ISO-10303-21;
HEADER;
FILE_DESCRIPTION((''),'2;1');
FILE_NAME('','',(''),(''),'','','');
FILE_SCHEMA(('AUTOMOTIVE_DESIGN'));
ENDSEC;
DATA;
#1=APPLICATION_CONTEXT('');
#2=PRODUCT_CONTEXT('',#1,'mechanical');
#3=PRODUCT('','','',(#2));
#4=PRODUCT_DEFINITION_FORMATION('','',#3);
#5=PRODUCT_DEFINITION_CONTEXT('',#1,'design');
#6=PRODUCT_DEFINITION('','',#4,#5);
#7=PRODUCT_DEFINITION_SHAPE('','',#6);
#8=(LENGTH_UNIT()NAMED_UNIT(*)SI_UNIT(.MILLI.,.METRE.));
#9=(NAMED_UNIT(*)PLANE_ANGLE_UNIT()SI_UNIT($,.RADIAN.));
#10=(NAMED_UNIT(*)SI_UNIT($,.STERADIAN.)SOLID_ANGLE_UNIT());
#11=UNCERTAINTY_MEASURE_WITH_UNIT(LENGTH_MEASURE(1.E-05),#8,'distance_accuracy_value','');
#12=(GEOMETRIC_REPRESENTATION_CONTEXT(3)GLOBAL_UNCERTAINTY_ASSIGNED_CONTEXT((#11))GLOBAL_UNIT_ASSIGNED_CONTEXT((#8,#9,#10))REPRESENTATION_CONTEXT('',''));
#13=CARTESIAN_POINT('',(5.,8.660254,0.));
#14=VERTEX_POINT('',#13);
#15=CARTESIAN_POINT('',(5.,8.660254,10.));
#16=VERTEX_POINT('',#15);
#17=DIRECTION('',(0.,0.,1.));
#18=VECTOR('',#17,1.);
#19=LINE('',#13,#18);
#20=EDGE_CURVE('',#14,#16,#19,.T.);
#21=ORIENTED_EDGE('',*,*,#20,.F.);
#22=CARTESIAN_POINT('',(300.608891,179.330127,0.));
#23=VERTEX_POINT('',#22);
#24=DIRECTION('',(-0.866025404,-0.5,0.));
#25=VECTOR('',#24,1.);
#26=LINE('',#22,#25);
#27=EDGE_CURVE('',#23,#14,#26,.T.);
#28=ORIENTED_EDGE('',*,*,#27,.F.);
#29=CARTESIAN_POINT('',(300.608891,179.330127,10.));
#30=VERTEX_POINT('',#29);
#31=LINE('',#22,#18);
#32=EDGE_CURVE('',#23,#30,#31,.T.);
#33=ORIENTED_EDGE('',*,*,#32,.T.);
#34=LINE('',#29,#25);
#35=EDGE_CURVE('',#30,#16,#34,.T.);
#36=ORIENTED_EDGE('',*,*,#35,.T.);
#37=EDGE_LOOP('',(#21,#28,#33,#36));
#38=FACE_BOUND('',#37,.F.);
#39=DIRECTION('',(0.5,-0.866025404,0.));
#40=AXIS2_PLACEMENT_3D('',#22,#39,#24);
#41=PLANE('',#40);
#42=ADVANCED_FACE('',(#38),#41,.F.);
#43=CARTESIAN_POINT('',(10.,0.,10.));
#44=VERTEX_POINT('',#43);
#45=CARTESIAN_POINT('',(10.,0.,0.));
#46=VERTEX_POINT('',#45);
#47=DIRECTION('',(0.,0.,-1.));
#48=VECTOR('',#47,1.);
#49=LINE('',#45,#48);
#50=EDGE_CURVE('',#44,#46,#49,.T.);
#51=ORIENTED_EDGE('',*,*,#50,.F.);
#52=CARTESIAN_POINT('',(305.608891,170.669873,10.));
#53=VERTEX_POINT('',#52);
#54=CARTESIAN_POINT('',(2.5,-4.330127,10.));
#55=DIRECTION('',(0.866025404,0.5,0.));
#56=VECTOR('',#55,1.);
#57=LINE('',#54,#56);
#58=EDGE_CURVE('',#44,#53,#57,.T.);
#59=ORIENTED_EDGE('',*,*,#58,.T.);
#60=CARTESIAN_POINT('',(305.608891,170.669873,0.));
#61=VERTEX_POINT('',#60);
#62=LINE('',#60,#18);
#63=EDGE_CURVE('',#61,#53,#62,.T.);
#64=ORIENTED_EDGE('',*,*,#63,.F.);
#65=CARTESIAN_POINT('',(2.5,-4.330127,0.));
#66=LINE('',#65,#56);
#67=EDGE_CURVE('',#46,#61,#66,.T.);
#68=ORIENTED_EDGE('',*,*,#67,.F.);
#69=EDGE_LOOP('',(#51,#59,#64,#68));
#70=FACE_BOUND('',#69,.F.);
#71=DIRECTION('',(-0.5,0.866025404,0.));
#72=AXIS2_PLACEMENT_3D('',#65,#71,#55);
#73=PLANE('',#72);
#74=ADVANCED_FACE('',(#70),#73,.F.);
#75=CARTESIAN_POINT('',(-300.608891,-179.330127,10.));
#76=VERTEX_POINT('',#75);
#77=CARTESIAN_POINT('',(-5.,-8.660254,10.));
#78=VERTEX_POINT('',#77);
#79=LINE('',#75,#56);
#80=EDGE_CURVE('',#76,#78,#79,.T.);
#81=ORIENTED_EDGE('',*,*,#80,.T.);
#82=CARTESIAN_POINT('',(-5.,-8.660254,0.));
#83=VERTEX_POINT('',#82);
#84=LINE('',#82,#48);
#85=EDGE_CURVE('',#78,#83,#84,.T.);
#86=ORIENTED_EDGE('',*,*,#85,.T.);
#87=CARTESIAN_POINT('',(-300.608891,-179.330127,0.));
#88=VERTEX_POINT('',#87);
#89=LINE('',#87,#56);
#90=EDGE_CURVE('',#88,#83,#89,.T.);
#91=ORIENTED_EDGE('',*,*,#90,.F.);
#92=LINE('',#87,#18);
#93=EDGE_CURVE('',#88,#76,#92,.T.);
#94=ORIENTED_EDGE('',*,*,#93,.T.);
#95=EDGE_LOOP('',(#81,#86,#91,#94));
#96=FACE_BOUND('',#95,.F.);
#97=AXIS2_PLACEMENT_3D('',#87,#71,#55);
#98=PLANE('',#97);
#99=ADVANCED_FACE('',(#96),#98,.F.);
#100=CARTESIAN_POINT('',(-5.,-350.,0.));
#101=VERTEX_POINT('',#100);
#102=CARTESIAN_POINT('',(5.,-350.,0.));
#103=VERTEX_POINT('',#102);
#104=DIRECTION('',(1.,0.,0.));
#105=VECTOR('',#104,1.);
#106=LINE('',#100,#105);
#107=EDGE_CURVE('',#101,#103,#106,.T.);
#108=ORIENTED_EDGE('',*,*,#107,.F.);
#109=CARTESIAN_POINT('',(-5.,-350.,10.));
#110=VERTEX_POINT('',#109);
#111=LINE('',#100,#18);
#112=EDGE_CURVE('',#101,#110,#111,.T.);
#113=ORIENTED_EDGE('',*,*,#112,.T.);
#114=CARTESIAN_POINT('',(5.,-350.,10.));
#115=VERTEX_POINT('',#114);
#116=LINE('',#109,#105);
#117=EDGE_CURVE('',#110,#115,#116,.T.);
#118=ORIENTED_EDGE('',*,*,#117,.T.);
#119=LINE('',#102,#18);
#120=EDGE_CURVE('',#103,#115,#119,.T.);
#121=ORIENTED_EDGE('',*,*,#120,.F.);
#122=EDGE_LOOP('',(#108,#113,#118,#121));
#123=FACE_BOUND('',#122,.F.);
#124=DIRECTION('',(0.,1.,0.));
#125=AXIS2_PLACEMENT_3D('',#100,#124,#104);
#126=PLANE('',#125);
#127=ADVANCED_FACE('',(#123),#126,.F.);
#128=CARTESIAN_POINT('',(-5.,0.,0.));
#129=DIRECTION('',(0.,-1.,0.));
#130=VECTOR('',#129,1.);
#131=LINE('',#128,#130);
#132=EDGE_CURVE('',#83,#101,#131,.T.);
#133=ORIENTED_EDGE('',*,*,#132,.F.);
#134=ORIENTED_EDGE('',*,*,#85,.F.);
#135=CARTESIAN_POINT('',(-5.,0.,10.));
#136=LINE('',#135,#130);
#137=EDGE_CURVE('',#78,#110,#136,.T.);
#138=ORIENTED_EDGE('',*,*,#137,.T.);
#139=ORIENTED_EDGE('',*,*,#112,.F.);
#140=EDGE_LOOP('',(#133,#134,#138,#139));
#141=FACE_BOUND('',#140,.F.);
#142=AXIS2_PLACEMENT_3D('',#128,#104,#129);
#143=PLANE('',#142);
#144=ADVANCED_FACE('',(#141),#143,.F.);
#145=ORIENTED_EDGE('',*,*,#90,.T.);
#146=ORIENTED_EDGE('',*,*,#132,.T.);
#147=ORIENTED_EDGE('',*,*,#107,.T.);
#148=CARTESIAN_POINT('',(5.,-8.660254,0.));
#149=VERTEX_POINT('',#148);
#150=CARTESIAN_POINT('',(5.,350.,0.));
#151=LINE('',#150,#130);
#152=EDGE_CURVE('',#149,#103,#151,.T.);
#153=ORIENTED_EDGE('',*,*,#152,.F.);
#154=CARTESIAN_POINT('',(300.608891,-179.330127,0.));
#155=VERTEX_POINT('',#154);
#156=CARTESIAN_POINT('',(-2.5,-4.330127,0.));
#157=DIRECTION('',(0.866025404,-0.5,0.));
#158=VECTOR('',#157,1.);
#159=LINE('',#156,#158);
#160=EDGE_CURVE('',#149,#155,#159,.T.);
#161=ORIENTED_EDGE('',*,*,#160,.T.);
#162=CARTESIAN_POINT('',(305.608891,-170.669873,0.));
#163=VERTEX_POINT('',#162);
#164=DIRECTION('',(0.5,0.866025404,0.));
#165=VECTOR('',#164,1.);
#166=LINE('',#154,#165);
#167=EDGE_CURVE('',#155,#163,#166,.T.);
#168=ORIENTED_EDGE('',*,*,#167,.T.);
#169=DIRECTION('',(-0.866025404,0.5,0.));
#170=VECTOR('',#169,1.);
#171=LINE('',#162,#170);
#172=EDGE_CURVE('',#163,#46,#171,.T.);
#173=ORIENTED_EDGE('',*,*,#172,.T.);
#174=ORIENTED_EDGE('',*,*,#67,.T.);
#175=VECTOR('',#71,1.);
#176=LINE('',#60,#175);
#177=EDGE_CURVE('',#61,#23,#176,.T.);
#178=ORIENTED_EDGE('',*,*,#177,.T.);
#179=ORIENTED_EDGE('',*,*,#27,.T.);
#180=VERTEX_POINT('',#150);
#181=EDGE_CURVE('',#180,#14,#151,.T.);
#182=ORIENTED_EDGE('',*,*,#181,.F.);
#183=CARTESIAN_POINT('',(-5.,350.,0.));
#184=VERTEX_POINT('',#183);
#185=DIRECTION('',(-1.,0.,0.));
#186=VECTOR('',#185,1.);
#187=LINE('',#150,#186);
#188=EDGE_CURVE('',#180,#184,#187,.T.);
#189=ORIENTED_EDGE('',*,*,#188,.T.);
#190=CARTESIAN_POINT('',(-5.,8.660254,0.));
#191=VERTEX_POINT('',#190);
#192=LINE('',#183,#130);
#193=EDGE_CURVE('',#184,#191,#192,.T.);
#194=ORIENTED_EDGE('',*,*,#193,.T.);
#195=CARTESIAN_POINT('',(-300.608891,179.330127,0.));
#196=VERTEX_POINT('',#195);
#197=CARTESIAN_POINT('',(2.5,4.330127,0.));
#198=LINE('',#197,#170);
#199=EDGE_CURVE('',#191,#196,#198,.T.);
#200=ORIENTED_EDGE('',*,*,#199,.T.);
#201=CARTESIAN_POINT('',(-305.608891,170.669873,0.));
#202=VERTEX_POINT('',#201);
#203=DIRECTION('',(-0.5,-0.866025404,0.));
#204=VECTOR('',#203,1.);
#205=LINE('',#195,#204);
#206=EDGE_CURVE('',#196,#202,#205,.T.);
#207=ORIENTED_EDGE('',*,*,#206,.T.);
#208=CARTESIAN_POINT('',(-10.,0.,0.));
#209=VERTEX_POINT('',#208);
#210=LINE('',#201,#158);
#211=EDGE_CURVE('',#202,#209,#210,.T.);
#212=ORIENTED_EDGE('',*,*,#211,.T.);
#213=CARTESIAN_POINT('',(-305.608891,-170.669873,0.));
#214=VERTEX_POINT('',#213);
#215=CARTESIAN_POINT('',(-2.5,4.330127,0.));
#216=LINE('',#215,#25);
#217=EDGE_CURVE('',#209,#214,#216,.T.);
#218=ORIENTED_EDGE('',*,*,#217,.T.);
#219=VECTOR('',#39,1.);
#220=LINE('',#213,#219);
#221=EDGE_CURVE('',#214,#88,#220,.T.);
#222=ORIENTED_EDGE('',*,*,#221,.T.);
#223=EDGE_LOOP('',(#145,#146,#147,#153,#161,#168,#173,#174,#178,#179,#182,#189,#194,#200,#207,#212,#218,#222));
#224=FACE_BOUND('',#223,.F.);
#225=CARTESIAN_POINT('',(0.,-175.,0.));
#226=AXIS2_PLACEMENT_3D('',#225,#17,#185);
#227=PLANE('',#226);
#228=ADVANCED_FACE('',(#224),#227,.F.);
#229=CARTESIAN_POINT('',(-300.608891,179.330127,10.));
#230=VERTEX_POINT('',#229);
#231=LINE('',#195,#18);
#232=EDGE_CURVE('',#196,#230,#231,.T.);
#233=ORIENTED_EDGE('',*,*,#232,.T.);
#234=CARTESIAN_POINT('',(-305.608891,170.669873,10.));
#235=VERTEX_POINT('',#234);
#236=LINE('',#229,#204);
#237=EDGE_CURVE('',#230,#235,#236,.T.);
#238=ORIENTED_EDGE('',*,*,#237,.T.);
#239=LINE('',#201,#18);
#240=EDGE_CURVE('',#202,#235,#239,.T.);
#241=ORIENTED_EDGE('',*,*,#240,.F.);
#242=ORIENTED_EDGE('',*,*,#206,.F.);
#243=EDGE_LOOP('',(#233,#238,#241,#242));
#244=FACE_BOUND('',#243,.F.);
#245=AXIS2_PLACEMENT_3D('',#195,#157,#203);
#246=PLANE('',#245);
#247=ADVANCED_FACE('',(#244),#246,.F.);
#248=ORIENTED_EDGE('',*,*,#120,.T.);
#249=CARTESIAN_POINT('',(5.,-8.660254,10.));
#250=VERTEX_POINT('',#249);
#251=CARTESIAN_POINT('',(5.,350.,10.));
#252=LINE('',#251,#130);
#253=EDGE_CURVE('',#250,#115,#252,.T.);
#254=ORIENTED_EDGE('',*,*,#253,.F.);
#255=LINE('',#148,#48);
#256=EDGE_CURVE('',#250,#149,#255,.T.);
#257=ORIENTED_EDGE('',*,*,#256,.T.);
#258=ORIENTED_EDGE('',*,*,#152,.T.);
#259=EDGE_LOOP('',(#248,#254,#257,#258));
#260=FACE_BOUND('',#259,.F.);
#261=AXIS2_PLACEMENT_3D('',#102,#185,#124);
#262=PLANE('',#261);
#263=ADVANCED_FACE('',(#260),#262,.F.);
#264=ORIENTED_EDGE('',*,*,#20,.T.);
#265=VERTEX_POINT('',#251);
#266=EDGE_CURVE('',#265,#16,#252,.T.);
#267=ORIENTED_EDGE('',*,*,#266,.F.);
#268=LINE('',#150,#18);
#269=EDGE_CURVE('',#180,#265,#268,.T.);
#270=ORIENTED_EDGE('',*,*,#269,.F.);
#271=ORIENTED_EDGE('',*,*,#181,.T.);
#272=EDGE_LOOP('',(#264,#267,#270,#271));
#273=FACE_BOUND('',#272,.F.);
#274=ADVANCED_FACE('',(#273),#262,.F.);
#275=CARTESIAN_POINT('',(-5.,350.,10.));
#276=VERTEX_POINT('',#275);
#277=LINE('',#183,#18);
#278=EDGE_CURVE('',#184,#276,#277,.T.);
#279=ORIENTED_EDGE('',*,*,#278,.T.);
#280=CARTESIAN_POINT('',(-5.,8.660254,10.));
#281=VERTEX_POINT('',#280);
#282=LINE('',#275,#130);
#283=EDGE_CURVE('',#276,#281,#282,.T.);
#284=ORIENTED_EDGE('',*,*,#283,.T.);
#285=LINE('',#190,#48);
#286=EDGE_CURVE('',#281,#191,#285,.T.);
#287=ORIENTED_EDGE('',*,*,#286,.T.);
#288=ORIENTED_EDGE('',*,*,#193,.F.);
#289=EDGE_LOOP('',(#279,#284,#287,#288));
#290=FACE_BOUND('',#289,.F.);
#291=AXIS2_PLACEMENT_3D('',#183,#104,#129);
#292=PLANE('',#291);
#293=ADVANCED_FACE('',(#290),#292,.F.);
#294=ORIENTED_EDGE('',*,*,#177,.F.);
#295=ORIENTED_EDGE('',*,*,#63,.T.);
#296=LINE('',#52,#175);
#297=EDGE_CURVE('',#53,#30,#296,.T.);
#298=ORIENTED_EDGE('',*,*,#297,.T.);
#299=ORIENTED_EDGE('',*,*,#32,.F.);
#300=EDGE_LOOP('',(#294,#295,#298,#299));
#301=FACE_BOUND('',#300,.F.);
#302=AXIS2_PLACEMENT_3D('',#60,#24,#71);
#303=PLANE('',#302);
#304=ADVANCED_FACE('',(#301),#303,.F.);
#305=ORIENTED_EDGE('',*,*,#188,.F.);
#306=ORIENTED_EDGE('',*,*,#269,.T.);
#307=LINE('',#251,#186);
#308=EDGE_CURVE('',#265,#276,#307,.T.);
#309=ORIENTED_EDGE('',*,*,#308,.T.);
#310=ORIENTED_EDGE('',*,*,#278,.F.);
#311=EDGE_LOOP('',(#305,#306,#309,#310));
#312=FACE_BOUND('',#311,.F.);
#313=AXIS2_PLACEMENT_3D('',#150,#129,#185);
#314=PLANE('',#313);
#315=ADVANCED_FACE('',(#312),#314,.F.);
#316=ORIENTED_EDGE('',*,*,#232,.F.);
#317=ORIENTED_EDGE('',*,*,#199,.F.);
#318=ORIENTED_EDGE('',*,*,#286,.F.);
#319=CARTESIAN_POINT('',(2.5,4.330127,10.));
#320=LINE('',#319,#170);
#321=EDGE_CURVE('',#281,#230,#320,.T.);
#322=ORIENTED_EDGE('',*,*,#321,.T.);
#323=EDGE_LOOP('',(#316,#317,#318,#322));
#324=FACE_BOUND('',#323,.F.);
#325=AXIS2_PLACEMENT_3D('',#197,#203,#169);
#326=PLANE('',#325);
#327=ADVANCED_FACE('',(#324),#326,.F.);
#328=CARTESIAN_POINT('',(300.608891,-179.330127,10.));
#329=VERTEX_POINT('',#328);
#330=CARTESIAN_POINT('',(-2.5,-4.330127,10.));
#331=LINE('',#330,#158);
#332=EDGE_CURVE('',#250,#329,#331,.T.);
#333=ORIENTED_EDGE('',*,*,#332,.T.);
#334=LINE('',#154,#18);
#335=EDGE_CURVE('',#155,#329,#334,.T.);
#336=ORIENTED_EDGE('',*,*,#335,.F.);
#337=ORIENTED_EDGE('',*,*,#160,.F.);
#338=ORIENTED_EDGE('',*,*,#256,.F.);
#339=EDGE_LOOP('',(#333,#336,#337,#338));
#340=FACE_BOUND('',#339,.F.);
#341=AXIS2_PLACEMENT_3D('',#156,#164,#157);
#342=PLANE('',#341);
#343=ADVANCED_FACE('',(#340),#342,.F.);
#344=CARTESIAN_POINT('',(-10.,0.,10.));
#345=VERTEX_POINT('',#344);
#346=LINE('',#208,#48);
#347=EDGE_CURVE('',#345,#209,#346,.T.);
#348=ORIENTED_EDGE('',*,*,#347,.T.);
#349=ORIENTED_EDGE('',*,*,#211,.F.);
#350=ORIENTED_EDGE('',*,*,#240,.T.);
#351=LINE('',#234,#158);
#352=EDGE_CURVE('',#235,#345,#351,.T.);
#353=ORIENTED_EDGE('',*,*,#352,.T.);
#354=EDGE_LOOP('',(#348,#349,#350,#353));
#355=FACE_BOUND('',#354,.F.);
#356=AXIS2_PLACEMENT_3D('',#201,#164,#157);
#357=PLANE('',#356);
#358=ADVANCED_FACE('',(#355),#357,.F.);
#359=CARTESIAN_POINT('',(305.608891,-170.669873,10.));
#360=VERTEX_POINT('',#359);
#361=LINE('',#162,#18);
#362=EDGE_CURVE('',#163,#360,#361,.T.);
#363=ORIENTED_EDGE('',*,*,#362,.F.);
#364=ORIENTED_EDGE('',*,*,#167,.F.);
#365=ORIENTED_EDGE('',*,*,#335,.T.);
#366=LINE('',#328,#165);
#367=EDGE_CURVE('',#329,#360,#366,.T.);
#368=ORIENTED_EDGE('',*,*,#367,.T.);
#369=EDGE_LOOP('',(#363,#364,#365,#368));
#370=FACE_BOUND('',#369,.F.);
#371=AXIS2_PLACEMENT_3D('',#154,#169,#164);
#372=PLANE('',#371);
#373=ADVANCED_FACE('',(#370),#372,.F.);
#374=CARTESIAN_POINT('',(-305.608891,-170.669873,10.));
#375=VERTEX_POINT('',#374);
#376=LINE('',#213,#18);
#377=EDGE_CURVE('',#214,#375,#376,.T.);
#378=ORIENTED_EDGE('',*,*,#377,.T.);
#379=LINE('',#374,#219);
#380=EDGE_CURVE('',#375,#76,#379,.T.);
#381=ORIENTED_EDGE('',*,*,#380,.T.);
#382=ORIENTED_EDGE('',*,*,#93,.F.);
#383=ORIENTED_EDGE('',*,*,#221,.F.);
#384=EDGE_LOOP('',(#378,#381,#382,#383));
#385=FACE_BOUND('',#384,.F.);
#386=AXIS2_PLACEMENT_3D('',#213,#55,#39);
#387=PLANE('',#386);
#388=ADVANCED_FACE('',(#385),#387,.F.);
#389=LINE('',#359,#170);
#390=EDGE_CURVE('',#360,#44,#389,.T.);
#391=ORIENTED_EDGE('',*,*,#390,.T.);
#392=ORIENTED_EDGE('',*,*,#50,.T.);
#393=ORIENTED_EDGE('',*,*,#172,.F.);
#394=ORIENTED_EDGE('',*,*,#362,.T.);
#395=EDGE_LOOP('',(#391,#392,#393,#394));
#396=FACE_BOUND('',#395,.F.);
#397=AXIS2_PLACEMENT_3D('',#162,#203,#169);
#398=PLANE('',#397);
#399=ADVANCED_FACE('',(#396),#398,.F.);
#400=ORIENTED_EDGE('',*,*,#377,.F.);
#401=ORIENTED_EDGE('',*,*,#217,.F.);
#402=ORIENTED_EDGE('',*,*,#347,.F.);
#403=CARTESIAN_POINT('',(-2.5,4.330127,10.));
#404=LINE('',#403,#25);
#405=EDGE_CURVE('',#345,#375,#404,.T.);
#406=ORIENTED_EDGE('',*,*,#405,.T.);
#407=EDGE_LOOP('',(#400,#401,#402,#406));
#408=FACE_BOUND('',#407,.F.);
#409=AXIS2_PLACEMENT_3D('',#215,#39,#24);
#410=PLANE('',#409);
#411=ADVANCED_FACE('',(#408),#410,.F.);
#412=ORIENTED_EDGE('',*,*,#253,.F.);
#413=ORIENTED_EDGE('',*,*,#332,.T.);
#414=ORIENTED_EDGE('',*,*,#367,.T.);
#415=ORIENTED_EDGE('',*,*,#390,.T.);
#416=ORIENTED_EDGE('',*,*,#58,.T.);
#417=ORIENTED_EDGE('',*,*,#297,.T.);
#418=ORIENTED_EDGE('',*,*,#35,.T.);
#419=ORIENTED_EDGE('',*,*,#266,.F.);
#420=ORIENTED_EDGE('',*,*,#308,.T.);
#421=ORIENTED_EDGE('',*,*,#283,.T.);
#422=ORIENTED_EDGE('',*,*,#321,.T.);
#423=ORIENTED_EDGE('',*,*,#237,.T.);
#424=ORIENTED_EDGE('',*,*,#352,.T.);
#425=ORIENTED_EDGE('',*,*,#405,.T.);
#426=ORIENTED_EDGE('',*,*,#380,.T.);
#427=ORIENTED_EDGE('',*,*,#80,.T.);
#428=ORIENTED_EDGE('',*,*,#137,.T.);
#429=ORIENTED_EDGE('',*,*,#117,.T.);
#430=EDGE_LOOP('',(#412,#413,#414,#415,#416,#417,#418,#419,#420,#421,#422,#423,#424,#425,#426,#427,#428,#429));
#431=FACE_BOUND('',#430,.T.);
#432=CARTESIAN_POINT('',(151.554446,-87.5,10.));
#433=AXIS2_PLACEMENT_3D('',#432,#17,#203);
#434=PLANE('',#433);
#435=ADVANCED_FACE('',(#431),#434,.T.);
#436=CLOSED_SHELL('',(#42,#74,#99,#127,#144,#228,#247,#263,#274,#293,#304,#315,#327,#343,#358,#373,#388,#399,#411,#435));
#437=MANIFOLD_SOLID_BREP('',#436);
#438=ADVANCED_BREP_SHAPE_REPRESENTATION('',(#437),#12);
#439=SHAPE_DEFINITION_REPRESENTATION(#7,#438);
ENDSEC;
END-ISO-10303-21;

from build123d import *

# Parameters (mm, degrees)
F1_DEPTH = 10
F3_COUNT = 6


with BuildPart() as f1:
    # F0 (on Top) → F1 (new body)
    with BuildSketch(Plane.XY):
        Polygon((-5, 0), (0, 0), (5, 0), (5, 350), (0, 350), (-5, 350), align=None)
    extrude(amount=F1_DEPTH)

    # F3: F1 ×6 about axis
    f3_axis = Axis((0, 0, 5), (0, 0, 1))


with BuildPart() as f1_1:
    add(f1.part)
    for i in range(1, F3_COUNT):
        add(f1.part.rotate(f3_axis, i * 360 / F3_COUNT))


solid = f1_1.part
